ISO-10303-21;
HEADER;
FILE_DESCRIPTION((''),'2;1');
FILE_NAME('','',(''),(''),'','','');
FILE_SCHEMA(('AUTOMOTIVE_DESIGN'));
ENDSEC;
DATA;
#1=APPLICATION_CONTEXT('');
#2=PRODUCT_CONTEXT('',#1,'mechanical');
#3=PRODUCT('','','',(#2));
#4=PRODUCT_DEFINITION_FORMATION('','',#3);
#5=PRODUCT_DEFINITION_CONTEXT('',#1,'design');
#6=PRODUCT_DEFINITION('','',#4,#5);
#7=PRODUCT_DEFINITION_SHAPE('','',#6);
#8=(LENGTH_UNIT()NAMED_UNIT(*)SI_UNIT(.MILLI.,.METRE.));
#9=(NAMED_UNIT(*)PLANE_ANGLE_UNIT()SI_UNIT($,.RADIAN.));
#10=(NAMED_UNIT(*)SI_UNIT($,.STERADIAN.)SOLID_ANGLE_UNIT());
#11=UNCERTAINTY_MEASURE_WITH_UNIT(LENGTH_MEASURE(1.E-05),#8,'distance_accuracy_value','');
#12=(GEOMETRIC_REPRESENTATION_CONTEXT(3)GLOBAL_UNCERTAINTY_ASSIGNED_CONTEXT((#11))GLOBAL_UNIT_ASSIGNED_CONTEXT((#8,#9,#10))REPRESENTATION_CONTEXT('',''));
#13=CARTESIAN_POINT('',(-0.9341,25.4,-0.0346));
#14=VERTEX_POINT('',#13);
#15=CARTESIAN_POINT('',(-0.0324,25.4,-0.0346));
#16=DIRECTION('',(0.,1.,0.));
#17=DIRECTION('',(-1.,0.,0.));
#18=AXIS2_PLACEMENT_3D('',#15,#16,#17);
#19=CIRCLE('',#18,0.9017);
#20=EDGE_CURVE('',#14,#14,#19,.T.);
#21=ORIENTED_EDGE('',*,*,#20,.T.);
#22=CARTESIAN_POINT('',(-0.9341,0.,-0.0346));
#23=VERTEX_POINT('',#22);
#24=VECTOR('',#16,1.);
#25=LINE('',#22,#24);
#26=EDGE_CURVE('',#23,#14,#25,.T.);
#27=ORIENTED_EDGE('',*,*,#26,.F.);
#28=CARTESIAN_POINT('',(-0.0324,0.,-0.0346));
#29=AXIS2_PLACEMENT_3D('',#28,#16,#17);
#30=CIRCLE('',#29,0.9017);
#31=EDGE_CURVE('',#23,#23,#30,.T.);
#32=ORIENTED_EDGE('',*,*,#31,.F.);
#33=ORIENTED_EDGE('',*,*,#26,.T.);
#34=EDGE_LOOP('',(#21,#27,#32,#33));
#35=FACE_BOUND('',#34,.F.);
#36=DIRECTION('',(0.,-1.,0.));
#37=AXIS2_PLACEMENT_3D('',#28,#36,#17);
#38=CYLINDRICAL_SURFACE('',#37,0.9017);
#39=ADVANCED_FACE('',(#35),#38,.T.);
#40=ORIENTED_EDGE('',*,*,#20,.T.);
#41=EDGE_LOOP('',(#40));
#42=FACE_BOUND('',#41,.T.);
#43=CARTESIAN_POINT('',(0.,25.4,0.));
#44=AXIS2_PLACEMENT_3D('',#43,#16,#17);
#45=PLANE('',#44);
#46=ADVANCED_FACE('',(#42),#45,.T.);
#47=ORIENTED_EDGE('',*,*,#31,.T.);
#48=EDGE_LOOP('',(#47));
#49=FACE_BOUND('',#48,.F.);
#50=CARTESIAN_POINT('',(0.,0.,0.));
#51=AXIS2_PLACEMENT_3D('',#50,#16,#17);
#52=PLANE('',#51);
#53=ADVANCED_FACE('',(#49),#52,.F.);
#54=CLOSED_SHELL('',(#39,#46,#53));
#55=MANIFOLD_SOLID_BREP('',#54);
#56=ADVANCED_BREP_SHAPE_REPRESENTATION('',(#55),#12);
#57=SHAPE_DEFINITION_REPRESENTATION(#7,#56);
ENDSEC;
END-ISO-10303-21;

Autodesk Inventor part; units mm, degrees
ref_plane "YZ Plane" through (0, 0, 0) normal (1, 0, 0) x (0, 1, 0)
ref_plane "XZ Plane" through (0, 0, 0) normal (0, 1, 0) x (-1, 0, 0)
ref_plane "XY Plane" through (0, 0, 0) normal (0, 0, 1) x (1, 0, 0)
sketch "Sketch1" plane through (0, 0, 0) normal (0, 1, 0) x (-1, 0, 0)
  circle A0 centre (0.0324, -0.0346) radius 0.9017
  point P0 (0, 0)
  dimension "d0" = 1.8034
  dimension "d0" = 1.8034
extrude "Extrusion1" add sketch "Sketch1" along normal blind 25.4
properties part number "screw" material "Phenolic Resin"
